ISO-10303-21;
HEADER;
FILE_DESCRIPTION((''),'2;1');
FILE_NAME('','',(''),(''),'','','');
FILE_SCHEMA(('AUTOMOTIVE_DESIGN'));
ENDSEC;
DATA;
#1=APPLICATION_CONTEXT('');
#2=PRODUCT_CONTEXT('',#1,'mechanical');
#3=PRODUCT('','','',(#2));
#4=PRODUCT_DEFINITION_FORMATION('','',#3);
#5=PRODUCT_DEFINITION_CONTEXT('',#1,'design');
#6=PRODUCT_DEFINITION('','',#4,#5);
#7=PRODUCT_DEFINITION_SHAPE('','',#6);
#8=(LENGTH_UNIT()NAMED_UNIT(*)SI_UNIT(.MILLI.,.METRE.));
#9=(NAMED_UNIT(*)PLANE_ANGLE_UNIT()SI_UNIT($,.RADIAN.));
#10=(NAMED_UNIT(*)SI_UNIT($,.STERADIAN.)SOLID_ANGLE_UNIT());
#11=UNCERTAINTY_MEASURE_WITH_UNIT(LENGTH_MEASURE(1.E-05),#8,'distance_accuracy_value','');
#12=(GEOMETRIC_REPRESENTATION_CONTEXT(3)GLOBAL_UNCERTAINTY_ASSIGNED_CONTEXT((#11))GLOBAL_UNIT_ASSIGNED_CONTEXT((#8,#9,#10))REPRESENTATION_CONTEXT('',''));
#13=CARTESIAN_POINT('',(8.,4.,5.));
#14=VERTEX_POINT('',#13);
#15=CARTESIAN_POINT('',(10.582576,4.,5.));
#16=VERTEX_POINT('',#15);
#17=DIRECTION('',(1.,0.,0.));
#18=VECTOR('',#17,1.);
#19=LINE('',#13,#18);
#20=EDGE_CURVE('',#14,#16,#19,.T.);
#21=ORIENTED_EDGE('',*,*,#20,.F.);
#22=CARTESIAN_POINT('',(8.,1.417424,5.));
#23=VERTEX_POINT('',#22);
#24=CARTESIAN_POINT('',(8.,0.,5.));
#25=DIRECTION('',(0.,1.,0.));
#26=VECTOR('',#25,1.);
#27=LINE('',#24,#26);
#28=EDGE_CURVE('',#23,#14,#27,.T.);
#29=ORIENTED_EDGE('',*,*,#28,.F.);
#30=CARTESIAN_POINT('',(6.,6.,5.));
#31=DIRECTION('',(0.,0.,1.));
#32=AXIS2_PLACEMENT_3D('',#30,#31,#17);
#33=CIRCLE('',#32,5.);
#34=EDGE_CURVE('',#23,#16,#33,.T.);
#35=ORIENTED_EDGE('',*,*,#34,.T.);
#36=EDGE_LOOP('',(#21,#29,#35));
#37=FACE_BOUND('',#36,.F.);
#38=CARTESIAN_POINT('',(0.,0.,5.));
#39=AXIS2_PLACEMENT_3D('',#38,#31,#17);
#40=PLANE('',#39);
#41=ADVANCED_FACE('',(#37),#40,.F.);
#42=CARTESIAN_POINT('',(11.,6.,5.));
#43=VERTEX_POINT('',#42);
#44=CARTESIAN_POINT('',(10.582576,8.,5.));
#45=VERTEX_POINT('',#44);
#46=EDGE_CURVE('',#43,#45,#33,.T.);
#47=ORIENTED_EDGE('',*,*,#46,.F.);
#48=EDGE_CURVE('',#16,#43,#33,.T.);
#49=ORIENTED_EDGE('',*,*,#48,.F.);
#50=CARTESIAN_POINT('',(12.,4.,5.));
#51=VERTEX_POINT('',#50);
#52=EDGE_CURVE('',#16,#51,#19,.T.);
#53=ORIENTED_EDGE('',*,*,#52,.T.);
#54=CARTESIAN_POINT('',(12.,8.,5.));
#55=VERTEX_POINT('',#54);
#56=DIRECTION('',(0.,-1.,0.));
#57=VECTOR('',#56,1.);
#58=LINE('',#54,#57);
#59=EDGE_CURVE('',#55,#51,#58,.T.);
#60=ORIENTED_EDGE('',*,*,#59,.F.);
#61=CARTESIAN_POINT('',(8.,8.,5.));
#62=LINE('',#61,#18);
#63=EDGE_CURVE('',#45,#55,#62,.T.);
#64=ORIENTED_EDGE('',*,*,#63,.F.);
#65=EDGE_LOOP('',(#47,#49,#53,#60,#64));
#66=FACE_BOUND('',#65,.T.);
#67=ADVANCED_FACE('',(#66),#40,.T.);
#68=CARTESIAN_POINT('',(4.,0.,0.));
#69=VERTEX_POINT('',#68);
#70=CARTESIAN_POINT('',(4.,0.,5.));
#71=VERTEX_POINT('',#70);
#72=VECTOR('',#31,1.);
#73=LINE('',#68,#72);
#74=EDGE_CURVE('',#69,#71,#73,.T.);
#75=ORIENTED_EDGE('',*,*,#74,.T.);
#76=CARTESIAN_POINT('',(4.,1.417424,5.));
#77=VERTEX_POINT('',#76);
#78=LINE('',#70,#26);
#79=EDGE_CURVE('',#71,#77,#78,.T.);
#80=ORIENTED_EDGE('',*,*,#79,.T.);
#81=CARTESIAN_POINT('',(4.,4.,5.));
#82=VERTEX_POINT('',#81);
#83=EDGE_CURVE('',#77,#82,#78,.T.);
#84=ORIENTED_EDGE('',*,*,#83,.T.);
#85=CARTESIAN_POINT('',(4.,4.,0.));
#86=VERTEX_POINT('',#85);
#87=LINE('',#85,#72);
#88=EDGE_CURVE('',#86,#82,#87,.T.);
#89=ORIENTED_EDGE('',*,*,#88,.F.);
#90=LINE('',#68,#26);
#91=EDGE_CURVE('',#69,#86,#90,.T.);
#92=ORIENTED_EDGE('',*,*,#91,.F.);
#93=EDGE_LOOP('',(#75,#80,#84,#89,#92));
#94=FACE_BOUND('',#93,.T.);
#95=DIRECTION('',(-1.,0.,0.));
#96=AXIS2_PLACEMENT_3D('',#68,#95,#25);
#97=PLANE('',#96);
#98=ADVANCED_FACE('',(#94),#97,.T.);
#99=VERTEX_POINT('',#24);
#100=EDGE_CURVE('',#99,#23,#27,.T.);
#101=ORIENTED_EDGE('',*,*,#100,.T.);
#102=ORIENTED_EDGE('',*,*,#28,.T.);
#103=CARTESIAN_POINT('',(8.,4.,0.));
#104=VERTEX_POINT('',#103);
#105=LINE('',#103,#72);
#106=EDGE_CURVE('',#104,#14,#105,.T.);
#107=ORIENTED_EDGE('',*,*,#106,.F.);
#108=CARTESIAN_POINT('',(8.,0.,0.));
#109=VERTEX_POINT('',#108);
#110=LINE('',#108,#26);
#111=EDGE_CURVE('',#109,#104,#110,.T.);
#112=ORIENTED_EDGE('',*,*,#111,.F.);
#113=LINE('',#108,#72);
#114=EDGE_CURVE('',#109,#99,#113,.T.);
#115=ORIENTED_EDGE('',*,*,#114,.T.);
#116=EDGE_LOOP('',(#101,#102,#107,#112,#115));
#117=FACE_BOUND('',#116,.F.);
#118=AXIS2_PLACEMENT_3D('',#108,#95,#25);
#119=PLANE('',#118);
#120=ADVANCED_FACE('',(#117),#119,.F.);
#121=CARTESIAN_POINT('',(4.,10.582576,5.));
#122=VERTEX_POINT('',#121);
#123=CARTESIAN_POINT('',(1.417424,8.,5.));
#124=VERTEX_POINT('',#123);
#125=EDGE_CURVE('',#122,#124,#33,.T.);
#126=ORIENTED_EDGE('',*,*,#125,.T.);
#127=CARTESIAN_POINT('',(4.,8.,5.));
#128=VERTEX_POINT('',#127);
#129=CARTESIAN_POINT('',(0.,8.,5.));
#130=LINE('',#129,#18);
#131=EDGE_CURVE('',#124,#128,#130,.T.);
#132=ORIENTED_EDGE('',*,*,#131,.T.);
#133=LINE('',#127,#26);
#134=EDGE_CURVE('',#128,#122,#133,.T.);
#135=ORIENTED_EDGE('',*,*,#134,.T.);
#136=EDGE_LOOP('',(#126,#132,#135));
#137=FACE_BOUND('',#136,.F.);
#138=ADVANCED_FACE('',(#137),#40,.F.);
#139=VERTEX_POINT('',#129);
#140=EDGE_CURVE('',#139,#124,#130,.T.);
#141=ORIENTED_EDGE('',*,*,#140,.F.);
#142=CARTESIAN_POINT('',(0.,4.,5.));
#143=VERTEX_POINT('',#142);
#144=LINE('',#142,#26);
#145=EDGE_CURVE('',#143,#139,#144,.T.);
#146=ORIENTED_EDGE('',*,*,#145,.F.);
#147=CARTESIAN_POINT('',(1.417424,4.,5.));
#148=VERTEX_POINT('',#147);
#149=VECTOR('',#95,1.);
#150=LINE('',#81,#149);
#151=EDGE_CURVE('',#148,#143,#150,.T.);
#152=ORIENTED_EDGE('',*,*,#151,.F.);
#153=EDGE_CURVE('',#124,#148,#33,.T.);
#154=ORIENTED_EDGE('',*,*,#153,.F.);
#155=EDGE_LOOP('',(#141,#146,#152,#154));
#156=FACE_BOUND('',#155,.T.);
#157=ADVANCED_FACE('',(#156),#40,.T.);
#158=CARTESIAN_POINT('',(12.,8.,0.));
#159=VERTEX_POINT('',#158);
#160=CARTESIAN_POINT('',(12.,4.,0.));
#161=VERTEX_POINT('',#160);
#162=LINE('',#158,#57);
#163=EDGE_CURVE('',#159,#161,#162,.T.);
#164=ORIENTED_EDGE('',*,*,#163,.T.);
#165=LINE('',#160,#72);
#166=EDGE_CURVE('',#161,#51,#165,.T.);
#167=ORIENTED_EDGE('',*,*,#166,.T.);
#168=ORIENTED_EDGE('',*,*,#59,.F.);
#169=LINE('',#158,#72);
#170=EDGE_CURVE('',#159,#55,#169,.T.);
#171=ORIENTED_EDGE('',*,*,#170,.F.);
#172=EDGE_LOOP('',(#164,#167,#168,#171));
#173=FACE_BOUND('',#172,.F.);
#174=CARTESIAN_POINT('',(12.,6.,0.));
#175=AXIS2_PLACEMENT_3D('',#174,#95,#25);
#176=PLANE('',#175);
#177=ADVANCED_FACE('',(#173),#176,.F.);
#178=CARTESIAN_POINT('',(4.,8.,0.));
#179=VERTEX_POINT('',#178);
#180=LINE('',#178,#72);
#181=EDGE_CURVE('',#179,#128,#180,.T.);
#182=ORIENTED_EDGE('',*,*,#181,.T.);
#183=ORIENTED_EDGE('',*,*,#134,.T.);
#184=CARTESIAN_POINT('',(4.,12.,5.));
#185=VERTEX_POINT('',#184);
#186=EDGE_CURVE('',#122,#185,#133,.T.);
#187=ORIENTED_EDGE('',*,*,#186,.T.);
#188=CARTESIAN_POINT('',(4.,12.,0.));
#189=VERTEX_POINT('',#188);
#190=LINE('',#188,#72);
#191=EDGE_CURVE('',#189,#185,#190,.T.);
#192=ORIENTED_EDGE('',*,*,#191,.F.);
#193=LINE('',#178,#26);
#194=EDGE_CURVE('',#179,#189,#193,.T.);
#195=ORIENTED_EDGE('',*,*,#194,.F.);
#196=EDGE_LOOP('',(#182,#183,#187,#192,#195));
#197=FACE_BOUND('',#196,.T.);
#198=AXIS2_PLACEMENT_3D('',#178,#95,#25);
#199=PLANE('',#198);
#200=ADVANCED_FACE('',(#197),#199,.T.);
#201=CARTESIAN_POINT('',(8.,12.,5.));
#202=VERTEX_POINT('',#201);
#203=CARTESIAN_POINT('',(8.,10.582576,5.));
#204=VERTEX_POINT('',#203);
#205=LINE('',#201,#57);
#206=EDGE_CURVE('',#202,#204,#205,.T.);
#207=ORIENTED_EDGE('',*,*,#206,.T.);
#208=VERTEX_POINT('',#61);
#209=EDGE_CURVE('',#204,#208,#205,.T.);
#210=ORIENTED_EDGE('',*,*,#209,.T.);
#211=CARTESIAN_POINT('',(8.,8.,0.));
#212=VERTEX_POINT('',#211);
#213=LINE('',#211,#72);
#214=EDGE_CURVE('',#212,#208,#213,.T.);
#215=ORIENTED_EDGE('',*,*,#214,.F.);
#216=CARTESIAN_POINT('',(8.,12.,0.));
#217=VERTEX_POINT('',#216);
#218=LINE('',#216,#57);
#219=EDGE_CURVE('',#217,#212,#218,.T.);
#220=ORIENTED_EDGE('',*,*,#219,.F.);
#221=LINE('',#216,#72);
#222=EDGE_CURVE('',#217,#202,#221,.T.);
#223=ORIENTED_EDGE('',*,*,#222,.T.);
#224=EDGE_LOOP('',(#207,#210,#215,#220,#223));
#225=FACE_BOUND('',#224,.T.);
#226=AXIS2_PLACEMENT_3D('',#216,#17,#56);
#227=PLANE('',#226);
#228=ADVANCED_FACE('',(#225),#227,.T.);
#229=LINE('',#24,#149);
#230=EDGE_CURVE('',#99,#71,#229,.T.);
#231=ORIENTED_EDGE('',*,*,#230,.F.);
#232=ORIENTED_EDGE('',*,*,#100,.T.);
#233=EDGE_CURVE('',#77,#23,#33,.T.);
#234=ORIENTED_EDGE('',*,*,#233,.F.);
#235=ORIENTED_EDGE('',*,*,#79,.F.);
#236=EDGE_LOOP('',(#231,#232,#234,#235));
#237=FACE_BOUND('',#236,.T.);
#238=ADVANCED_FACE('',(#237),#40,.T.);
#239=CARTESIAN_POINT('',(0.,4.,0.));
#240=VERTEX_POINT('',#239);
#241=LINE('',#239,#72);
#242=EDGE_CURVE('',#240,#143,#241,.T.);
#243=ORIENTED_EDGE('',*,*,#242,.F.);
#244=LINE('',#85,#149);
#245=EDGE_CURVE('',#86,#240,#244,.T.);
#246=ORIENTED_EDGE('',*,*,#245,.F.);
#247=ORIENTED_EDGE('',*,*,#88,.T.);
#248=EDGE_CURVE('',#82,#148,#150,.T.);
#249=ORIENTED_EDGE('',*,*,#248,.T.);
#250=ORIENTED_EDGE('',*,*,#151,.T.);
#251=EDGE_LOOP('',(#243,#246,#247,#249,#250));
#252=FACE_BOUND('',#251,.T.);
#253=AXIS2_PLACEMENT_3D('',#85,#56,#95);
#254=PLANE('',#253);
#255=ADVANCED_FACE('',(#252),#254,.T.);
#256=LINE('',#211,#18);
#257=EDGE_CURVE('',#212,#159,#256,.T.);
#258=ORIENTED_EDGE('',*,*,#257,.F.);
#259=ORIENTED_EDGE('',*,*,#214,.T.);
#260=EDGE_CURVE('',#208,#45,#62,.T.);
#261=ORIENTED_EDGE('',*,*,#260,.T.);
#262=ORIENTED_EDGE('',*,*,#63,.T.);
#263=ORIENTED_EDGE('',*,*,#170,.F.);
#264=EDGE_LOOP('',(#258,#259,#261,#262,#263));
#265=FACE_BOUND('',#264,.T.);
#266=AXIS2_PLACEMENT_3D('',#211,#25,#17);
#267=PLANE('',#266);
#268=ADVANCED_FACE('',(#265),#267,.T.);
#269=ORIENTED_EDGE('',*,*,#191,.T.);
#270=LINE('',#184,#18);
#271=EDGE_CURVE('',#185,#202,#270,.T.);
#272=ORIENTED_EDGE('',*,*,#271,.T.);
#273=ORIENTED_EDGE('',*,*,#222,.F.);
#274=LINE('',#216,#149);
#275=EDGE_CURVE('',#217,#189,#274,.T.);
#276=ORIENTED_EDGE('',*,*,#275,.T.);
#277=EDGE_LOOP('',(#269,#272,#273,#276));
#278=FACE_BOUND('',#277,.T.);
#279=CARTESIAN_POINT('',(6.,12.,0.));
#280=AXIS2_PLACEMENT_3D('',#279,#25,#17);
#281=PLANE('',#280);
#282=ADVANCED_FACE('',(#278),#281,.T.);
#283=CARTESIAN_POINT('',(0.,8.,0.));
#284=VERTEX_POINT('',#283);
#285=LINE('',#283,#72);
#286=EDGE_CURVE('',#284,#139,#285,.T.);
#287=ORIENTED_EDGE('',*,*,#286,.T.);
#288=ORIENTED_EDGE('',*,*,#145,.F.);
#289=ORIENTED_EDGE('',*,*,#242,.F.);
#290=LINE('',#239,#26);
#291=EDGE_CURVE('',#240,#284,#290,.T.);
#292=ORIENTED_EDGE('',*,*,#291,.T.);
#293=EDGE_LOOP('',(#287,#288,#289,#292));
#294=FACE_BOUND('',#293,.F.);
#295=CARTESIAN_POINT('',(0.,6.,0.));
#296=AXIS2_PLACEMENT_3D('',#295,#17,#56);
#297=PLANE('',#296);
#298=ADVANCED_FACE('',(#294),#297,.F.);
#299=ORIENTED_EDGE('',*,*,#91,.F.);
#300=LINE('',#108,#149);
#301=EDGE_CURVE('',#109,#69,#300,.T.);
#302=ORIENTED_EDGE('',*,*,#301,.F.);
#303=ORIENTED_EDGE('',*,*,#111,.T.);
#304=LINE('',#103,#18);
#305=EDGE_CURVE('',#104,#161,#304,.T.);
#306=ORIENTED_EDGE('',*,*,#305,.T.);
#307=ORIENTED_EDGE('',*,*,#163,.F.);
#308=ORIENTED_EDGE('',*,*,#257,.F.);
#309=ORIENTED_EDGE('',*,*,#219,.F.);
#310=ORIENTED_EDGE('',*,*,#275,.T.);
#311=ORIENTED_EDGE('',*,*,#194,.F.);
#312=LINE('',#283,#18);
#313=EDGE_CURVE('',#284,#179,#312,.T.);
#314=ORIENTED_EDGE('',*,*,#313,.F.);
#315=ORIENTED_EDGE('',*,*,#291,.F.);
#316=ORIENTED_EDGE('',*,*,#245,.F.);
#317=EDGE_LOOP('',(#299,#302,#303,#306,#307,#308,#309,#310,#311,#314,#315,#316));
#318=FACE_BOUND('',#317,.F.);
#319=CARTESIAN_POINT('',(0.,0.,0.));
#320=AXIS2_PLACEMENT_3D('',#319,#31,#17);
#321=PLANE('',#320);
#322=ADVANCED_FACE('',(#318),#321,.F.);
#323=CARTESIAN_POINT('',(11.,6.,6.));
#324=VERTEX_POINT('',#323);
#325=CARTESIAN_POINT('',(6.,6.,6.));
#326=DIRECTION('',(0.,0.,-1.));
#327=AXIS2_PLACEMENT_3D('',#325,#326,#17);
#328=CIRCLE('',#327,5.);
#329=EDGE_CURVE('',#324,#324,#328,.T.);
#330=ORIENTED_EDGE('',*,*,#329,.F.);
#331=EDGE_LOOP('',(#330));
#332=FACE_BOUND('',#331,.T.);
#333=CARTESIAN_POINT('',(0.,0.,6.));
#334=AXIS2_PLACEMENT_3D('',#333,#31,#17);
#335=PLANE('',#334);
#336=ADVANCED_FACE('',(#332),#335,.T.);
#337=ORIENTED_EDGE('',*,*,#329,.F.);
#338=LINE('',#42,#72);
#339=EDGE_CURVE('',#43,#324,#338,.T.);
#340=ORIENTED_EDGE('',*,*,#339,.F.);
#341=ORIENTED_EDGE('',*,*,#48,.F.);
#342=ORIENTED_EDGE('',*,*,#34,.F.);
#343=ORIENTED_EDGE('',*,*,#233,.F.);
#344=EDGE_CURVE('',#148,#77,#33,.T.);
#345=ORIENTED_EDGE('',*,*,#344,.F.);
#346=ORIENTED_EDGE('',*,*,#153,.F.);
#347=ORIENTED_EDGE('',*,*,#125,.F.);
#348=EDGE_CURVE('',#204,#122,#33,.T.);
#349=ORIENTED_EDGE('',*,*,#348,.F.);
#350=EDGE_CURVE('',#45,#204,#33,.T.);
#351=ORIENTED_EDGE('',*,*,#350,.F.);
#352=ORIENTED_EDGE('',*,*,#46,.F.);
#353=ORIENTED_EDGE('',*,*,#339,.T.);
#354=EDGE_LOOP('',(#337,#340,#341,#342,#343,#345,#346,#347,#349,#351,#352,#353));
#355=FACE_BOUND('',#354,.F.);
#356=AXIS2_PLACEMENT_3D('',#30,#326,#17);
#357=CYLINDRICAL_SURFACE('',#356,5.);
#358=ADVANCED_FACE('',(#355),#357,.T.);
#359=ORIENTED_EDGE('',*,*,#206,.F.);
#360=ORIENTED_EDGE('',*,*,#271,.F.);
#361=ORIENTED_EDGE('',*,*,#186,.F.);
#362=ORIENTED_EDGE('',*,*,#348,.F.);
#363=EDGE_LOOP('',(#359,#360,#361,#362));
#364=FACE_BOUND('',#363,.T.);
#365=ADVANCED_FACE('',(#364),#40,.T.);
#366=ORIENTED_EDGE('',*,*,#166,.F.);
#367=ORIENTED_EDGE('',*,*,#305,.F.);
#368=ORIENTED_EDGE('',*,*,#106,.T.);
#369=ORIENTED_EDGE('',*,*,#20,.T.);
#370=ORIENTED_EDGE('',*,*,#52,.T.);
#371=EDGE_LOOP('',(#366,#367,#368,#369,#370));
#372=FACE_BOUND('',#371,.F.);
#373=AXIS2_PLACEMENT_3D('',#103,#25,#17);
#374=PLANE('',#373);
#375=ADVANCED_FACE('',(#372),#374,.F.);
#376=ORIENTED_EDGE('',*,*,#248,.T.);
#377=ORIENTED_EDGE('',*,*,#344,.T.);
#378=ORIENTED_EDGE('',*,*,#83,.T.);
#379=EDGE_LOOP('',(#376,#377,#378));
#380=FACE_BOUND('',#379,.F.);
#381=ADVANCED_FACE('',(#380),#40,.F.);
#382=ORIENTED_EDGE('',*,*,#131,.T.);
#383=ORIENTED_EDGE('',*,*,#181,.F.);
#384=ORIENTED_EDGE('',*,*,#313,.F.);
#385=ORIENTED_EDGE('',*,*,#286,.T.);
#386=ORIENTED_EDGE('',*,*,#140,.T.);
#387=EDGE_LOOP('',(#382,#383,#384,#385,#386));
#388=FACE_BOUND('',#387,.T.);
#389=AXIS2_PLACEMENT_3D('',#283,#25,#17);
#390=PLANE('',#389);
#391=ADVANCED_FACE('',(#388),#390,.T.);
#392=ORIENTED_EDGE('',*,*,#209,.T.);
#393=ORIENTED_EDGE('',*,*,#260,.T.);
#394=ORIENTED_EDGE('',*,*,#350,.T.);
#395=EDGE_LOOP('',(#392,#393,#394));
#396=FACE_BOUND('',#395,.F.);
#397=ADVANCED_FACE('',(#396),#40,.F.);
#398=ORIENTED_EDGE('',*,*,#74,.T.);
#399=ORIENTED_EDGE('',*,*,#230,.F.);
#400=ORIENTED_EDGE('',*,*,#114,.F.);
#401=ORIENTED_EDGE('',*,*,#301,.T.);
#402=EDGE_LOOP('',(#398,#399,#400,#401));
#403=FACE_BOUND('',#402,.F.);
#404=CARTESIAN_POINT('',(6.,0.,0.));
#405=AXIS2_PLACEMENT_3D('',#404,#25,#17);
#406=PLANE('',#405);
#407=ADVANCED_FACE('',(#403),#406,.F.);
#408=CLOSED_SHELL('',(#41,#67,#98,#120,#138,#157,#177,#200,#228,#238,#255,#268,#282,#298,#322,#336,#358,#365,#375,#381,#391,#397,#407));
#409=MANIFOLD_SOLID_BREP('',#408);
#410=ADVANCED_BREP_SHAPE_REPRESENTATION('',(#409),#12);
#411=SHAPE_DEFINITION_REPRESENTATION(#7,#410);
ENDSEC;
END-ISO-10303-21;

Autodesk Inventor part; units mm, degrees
ref_plane "YZ Plane" through (0, 0, 0) normal (1, 0, 0) x (0, 1, 0)
ref_plane "XZ Plane" through (0, 0, 0) normal (0, 1, 0) x (-1, 0, 0)
ref_plane "XY Plane" through (0, 0, 0) normal (0, 0, 1) x (1, 0, 0)
sketch "Sketch1" plane through (0, 0, 0) normal (0, 0, 1) x (1, 0, 0)
  line L0 (6, 12) -> (4, 12)
  line L1 (6, 12) -> (8, 12)
  line L2 (12, 6) -> (12, 8)
  line L3 (12, 6) -> (12, 4)
  line L4 (0, 6) -> (0, 8)
  line L5 (0, 6) -> (0, 4)
  line L6 (6, 0) -> (8, 0)
  line L7 (6, 0) -> (4, 0)
  line L8 (4, 0) -> (4, 4)
  line L9 (4, 4) -> (0, 4)
  line L10 (0, 8) -> (4, 8)
  line L11 (4, 8) -> (4, 12)
  line L12 (8, 12) -> (8, 8)
  line L13 (8, 8) -> (12, 8)
  line L14 (8, 0) -> (8, 4)
  line L15 (8, 4) -> (12, 4)
  point P0 (0, 0)
  dimension "d2" = 2
  dimension "d3" = 2
  dimension "d4" = 2
  dimension "d5" = 2
  dimension "d6" = 2
  dimension "d7" = 2
  dimension "d8" = 2
  dimension "d9" = 2
extrude "Extrusion1" add sketch "Sketch1" along normal blind 5
sketch "Sketch2" plane through (0, 0, 5) normal (0, 0, 1) x (1, 0, 0)
  line L0 (0, 8) -> (0, 4) projected
  line L1 (0, 6) -> (12, 6)
  line L2 (12, 4) -> (12, 8) projected
  line L3 (8, 12) -> (4, 12) projected
  line L4 (6, 12) -> (6, 0)
  circle A0 centre (6, 6) radius 5
  point P0 (0, 0)
  dimension "d12" = 10
extrude "Extrusion2" add sketch "Sketch2" along normal blind 1
properties part number "PlusBtn"
